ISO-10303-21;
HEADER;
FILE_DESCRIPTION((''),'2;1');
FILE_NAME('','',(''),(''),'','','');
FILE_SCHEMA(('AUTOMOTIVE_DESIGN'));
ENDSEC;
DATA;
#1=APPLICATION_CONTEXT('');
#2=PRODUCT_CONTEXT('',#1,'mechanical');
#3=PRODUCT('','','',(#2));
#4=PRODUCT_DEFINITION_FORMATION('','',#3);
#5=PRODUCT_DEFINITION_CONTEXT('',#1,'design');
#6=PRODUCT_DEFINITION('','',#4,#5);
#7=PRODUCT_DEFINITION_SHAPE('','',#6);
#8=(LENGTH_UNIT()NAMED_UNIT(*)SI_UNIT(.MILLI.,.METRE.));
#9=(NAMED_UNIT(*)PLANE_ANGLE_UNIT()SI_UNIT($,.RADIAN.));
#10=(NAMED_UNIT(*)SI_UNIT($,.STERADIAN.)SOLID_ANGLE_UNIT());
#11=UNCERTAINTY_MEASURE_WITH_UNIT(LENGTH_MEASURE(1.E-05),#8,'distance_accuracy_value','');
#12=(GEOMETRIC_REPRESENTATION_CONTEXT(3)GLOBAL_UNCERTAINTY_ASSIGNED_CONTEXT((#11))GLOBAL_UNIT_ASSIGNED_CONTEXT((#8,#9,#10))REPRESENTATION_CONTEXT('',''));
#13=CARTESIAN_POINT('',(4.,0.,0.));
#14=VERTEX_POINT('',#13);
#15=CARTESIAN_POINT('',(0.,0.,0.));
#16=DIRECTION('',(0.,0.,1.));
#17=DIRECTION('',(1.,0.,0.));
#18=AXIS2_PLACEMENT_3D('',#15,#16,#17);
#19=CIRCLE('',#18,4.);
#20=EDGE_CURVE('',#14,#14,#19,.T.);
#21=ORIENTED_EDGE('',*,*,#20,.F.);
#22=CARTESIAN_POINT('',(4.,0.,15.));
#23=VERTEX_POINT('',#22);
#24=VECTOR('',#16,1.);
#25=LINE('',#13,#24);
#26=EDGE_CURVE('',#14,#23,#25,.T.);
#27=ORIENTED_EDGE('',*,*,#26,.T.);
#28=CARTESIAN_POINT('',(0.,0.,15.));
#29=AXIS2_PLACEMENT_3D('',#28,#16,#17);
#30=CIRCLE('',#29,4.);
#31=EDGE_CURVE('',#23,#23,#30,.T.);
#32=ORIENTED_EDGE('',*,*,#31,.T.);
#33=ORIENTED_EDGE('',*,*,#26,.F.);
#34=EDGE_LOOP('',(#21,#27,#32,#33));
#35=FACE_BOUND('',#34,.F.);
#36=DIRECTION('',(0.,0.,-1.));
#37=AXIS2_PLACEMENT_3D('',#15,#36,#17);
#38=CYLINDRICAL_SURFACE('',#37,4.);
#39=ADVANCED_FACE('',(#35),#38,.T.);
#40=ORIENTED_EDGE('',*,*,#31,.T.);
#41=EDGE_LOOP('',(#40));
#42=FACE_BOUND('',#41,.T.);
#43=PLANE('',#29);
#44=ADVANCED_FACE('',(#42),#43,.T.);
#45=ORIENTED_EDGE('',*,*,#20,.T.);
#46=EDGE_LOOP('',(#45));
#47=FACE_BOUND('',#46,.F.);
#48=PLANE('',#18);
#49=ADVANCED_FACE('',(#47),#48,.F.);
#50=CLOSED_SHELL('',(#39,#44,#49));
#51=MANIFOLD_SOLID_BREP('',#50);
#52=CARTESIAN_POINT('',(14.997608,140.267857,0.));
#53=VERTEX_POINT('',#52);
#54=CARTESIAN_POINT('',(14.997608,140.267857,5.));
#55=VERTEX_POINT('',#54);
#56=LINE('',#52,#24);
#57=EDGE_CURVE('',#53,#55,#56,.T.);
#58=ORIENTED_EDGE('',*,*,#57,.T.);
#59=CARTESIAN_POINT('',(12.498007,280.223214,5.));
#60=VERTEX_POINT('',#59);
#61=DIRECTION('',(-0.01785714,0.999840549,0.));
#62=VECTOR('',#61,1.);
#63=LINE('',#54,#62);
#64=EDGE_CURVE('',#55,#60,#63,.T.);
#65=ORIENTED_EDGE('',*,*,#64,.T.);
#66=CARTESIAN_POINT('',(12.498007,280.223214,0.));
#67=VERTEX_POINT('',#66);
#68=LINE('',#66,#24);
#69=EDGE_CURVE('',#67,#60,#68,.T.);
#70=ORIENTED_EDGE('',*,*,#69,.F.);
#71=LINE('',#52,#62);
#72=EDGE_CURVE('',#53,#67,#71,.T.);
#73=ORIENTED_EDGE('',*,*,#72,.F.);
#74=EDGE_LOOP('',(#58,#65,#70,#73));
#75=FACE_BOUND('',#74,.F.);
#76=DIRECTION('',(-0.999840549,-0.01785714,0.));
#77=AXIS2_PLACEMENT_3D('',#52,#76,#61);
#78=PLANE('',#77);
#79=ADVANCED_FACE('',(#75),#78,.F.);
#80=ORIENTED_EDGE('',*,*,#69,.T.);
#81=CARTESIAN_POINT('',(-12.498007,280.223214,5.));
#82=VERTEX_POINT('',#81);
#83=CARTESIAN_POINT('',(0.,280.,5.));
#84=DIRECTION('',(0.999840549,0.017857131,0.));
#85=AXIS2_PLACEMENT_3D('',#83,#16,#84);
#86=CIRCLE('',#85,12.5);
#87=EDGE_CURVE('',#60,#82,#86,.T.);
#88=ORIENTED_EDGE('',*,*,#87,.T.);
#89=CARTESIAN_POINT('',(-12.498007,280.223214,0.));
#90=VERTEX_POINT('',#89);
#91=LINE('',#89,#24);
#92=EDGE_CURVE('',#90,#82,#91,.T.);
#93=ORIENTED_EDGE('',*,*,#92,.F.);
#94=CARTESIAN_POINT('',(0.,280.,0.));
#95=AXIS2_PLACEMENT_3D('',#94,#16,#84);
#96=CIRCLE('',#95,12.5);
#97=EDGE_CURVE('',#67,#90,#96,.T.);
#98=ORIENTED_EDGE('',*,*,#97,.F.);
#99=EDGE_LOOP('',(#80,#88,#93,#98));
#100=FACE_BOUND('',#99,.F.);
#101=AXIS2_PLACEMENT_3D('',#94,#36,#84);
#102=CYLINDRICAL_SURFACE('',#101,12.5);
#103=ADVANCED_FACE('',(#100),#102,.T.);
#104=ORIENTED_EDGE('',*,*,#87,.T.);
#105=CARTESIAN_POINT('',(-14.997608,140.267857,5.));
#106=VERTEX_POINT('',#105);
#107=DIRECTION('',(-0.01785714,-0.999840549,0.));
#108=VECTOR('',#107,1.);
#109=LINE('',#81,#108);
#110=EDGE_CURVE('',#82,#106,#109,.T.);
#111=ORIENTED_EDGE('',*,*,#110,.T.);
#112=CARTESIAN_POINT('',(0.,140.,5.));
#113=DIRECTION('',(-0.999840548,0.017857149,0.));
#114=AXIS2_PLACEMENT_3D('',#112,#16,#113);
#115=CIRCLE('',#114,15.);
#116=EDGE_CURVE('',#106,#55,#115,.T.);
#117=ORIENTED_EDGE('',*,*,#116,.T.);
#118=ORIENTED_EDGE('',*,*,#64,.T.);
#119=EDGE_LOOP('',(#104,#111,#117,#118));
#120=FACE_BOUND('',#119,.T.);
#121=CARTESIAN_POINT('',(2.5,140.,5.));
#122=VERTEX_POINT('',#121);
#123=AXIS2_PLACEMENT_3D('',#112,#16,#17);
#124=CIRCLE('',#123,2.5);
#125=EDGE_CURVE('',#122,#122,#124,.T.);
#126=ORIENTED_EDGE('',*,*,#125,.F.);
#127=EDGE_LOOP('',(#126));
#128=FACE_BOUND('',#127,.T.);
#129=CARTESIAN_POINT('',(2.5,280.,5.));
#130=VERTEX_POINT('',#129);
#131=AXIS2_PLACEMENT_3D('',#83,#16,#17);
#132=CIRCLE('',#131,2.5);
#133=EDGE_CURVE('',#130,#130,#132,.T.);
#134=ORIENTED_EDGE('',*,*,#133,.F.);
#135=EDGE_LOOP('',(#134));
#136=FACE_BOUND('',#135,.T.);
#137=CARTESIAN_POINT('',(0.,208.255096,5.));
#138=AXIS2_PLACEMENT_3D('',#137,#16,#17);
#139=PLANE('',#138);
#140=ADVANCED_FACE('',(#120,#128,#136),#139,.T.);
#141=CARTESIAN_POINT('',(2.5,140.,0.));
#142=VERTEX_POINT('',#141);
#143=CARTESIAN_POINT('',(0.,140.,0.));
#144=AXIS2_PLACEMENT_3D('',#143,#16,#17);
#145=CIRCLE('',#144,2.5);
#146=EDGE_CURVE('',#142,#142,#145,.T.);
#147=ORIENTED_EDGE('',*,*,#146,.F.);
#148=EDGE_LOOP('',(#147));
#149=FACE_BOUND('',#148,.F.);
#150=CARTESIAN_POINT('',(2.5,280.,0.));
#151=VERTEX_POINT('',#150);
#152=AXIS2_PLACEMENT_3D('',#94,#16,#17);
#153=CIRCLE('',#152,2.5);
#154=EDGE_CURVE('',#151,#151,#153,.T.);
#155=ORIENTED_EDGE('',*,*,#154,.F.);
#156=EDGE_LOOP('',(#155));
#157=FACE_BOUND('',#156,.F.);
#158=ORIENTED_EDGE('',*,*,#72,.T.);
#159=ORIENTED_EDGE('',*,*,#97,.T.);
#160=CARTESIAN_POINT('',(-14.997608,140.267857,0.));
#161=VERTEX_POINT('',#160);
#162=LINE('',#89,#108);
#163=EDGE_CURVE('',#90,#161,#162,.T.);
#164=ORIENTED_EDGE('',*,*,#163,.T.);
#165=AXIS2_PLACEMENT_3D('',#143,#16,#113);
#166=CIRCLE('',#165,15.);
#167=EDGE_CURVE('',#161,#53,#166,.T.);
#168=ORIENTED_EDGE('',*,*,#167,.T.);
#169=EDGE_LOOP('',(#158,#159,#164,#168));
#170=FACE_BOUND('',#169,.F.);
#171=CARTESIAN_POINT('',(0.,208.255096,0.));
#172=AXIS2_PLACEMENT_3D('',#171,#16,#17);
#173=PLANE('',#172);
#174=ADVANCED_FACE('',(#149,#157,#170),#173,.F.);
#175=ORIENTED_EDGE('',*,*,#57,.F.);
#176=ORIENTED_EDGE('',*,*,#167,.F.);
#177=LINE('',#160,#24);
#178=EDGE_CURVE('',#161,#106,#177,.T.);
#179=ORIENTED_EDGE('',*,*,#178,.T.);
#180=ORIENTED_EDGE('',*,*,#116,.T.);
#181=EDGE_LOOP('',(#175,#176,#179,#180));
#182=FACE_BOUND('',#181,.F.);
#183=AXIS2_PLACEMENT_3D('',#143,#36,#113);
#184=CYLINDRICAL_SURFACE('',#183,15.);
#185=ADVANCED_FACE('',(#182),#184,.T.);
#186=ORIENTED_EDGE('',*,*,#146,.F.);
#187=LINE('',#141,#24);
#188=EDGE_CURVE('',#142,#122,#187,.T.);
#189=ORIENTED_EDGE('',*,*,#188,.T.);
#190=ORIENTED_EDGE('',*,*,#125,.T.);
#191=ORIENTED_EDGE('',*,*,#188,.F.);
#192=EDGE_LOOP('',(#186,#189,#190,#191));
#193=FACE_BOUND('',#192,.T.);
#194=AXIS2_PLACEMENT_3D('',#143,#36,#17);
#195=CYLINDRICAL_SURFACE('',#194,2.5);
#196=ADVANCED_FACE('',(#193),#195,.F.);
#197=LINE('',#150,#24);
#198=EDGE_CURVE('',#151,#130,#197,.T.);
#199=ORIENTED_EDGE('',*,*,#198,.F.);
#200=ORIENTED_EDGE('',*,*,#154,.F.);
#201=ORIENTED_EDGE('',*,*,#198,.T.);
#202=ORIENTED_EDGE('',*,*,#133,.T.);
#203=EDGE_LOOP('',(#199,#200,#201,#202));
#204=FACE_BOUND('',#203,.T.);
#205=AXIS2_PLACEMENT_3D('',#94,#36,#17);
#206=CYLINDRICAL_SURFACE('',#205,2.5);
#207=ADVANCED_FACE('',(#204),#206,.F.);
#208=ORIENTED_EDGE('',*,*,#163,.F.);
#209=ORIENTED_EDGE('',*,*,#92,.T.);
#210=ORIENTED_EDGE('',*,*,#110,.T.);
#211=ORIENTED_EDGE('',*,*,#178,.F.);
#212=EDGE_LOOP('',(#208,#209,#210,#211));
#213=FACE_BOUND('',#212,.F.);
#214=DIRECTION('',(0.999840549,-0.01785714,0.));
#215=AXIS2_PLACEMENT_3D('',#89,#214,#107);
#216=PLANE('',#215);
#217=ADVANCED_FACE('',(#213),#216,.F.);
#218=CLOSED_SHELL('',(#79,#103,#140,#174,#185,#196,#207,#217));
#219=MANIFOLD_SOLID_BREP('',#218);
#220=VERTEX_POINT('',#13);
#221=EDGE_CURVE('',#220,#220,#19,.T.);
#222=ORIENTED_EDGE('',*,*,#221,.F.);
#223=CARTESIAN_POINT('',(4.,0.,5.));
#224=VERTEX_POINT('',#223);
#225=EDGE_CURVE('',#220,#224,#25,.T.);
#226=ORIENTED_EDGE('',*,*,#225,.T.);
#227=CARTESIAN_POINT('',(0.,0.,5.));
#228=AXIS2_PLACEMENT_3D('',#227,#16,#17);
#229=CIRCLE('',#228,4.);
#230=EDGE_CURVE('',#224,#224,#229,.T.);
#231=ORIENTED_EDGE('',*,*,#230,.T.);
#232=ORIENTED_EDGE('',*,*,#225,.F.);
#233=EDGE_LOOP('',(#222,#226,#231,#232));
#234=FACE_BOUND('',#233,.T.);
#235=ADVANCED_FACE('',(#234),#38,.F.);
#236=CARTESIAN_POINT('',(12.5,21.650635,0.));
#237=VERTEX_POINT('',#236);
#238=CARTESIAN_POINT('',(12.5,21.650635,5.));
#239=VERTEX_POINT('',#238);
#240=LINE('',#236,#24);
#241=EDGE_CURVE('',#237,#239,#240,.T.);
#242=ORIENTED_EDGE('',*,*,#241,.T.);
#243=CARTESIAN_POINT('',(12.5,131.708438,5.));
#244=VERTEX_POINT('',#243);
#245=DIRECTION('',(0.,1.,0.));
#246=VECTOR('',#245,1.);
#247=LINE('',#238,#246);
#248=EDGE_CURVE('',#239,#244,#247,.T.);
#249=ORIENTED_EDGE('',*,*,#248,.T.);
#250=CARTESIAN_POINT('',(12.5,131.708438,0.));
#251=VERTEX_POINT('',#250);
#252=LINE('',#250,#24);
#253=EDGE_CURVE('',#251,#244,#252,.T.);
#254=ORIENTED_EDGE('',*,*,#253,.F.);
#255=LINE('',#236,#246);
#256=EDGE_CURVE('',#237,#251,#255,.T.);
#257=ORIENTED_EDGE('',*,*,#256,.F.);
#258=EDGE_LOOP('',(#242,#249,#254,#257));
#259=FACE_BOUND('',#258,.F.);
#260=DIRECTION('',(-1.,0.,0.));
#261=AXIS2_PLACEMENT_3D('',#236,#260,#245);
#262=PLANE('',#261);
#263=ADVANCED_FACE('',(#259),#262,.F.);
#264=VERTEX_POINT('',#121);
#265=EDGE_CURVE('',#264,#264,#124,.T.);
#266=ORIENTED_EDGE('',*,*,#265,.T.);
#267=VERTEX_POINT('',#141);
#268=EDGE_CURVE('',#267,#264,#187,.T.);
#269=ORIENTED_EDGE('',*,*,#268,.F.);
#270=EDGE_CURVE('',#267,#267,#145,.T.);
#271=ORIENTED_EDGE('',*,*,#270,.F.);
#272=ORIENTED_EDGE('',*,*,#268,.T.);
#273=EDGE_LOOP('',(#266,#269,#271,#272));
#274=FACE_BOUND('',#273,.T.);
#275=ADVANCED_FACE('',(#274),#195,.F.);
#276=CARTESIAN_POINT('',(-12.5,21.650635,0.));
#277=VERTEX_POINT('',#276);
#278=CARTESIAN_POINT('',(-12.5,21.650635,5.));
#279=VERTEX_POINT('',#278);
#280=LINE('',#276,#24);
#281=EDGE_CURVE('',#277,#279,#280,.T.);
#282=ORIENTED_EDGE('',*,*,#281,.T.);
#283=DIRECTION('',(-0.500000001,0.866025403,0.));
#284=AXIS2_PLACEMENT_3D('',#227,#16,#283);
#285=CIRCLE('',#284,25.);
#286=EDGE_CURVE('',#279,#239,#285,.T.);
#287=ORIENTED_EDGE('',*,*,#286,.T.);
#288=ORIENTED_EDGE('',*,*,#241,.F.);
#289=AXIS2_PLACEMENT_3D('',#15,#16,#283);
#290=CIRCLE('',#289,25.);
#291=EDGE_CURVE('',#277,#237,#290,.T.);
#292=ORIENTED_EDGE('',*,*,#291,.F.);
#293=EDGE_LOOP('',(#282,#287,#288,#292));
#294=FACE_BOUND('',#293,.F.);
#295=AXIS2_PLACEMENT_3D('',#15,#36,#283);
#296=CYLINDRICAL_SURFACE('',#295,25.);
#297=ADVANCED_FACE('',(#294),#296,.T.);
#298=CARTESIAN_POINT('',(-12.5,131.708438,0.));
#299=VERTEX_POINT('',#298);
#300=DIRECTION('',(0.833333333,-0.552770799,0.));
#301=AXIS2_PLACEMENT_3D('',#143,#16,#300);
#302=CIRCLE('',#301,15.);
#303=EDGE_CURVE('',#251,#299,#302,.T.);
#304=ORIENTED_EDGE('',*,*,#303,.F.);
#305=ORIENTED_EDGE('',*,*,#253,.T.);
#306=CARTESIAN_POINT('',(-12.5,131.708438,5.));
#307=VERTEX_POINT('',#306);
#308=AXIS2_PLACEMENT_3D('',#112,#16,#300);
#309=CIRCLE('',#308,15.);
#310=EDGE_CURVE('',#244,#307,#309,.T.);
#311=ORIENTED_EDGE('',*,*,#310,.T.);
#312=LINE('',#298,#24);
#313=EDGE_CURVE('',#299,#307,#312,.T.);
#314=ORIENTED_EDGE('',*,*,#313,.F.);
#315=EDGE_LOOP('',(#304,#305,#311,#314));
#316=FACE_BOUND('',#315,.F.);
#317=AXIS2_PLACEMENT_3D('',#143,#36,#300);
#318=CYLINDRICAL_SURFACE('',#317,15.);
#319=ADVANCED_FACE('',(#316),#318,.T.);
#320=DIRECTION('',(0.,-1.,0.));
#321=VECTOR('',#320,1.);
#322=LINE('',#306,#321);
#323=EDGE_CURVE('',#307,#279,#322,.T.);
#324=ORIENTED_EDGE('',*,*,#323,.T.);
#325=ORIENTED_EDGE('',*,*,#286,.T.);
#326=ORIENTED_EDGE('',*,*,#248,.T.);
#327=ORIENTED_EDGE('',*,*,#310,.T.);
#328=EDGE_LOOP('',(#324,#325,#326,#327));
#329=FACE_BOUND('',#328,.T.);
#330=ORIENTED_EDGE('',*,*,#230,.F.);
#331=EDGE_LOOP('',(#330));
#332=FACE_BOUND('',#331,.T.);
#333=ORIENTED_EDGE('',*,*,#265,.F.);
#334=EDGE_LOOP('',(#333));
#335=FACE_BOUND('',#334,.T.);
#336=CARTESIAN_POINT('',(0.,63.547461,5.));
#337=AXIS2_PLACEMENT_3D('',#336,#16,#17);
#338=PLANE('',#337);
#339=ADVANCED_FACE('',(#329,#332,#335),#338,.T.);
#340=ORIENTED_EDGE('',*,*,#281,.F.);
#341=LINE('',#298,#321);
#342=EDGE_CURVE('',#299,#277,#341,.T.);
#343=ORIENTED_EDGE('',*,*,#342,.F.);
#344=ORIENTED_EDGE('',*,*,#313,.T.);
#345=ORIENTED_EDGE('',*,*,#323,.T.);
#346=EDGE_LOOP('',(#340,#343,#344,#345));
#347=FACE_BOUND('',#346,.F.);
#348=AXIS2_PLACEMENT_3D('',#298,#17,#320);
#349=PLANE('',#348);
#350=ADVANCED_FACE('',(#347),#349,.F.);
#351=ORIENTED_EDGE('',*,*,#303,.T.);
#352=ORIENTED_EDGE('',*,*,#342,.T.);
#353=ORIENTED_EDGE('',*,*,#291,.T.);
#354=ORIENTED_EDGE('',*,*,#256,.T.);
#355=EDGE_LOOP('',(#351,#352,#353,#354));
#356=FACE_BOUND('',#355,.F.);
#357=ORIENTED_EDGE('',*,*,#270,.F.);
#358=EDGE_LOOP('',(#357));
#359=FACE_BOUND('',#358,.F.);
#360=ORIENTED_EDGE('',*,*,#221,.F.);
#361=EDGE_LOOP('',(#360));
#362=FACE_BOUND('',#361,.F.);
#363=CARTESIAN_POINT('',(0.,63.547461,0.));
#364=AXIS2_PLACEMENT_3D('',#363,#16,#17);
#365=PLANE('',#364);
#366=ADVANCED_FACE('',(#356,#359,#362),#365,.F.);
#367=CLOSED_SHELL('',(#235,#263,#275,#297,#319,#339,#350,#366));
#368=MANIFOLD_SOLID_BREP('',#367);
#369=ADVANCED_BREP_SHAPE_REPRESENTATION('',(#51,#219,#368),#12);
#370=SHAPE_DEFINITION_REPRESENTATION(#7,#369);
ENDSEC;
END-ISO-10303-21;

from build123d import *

# Parameters (mm, degrees)
F0_R     = 4
F0_R_2   = 2.5
F1_DEPTH = 5
F2_R     = 2.5
F3_DEPTH = 5
F4_R     = 4
F5_DEPTH = 15


with BuildPart() as f1:
    # F0 (on Top) → F1 (new body)
    with BuildSketch(Plane.XY):
        with BuildLine():
            Line((-12.5, 131.708438), (-12.5, 21.650635))
            ThreePointArc((-12.5, 21.650635), (0, -25), (12.5, 21.650635))
            Line((12.5, 21.650635), (12.5, 131.708438))
            ThreePointArc((12.5, 131.708438), (0, 155), (-12.5, 131.708438))
        make_face()
        Circle(F0_R, mode=Mode.SUBTRACT)
        with Locations((0, 140)):
            Circle(F0_R_2, mode=Mode.SUBTRACT)
    extrude(amount=F1_DEPTH)


with BuildPart() as f3:
    # F2 (on Top) → F3 (new body)
    with BuildSketch(Plane.XY):
        with BuildLine():
            Line((-12.498007, 280.223214), (-14.997608, 140.267857))
            ThreePointArc((-14.997608, 140.267857), (0, 125), (14.997608, 140.267857))
            Line((14.997608, 140.267857), (12.498007, 280.223214))
            ThreePointArc((12.498007, 280.223214), (0, 292.5), (-12.498007, 280.223214))
        make_face()
        with Locations((0, 140)):
            Circle(F2_R, mode=Mode.SUBTRACT)
        with Locations((0, 280)):
            Circle(F2_R, mode=Mode.SUBTRACT)
    extrude(amount=F3_DEPTH)


with BuildPart() as f5:
    # F4 (on Top) → F5 (new body)
    with BuildSketch(Plane.XY):
        Circle(F4_R)
    extrude(amount=F5_DEPTH)


solid = Compound([f1.part, f3.part, f5.part])
